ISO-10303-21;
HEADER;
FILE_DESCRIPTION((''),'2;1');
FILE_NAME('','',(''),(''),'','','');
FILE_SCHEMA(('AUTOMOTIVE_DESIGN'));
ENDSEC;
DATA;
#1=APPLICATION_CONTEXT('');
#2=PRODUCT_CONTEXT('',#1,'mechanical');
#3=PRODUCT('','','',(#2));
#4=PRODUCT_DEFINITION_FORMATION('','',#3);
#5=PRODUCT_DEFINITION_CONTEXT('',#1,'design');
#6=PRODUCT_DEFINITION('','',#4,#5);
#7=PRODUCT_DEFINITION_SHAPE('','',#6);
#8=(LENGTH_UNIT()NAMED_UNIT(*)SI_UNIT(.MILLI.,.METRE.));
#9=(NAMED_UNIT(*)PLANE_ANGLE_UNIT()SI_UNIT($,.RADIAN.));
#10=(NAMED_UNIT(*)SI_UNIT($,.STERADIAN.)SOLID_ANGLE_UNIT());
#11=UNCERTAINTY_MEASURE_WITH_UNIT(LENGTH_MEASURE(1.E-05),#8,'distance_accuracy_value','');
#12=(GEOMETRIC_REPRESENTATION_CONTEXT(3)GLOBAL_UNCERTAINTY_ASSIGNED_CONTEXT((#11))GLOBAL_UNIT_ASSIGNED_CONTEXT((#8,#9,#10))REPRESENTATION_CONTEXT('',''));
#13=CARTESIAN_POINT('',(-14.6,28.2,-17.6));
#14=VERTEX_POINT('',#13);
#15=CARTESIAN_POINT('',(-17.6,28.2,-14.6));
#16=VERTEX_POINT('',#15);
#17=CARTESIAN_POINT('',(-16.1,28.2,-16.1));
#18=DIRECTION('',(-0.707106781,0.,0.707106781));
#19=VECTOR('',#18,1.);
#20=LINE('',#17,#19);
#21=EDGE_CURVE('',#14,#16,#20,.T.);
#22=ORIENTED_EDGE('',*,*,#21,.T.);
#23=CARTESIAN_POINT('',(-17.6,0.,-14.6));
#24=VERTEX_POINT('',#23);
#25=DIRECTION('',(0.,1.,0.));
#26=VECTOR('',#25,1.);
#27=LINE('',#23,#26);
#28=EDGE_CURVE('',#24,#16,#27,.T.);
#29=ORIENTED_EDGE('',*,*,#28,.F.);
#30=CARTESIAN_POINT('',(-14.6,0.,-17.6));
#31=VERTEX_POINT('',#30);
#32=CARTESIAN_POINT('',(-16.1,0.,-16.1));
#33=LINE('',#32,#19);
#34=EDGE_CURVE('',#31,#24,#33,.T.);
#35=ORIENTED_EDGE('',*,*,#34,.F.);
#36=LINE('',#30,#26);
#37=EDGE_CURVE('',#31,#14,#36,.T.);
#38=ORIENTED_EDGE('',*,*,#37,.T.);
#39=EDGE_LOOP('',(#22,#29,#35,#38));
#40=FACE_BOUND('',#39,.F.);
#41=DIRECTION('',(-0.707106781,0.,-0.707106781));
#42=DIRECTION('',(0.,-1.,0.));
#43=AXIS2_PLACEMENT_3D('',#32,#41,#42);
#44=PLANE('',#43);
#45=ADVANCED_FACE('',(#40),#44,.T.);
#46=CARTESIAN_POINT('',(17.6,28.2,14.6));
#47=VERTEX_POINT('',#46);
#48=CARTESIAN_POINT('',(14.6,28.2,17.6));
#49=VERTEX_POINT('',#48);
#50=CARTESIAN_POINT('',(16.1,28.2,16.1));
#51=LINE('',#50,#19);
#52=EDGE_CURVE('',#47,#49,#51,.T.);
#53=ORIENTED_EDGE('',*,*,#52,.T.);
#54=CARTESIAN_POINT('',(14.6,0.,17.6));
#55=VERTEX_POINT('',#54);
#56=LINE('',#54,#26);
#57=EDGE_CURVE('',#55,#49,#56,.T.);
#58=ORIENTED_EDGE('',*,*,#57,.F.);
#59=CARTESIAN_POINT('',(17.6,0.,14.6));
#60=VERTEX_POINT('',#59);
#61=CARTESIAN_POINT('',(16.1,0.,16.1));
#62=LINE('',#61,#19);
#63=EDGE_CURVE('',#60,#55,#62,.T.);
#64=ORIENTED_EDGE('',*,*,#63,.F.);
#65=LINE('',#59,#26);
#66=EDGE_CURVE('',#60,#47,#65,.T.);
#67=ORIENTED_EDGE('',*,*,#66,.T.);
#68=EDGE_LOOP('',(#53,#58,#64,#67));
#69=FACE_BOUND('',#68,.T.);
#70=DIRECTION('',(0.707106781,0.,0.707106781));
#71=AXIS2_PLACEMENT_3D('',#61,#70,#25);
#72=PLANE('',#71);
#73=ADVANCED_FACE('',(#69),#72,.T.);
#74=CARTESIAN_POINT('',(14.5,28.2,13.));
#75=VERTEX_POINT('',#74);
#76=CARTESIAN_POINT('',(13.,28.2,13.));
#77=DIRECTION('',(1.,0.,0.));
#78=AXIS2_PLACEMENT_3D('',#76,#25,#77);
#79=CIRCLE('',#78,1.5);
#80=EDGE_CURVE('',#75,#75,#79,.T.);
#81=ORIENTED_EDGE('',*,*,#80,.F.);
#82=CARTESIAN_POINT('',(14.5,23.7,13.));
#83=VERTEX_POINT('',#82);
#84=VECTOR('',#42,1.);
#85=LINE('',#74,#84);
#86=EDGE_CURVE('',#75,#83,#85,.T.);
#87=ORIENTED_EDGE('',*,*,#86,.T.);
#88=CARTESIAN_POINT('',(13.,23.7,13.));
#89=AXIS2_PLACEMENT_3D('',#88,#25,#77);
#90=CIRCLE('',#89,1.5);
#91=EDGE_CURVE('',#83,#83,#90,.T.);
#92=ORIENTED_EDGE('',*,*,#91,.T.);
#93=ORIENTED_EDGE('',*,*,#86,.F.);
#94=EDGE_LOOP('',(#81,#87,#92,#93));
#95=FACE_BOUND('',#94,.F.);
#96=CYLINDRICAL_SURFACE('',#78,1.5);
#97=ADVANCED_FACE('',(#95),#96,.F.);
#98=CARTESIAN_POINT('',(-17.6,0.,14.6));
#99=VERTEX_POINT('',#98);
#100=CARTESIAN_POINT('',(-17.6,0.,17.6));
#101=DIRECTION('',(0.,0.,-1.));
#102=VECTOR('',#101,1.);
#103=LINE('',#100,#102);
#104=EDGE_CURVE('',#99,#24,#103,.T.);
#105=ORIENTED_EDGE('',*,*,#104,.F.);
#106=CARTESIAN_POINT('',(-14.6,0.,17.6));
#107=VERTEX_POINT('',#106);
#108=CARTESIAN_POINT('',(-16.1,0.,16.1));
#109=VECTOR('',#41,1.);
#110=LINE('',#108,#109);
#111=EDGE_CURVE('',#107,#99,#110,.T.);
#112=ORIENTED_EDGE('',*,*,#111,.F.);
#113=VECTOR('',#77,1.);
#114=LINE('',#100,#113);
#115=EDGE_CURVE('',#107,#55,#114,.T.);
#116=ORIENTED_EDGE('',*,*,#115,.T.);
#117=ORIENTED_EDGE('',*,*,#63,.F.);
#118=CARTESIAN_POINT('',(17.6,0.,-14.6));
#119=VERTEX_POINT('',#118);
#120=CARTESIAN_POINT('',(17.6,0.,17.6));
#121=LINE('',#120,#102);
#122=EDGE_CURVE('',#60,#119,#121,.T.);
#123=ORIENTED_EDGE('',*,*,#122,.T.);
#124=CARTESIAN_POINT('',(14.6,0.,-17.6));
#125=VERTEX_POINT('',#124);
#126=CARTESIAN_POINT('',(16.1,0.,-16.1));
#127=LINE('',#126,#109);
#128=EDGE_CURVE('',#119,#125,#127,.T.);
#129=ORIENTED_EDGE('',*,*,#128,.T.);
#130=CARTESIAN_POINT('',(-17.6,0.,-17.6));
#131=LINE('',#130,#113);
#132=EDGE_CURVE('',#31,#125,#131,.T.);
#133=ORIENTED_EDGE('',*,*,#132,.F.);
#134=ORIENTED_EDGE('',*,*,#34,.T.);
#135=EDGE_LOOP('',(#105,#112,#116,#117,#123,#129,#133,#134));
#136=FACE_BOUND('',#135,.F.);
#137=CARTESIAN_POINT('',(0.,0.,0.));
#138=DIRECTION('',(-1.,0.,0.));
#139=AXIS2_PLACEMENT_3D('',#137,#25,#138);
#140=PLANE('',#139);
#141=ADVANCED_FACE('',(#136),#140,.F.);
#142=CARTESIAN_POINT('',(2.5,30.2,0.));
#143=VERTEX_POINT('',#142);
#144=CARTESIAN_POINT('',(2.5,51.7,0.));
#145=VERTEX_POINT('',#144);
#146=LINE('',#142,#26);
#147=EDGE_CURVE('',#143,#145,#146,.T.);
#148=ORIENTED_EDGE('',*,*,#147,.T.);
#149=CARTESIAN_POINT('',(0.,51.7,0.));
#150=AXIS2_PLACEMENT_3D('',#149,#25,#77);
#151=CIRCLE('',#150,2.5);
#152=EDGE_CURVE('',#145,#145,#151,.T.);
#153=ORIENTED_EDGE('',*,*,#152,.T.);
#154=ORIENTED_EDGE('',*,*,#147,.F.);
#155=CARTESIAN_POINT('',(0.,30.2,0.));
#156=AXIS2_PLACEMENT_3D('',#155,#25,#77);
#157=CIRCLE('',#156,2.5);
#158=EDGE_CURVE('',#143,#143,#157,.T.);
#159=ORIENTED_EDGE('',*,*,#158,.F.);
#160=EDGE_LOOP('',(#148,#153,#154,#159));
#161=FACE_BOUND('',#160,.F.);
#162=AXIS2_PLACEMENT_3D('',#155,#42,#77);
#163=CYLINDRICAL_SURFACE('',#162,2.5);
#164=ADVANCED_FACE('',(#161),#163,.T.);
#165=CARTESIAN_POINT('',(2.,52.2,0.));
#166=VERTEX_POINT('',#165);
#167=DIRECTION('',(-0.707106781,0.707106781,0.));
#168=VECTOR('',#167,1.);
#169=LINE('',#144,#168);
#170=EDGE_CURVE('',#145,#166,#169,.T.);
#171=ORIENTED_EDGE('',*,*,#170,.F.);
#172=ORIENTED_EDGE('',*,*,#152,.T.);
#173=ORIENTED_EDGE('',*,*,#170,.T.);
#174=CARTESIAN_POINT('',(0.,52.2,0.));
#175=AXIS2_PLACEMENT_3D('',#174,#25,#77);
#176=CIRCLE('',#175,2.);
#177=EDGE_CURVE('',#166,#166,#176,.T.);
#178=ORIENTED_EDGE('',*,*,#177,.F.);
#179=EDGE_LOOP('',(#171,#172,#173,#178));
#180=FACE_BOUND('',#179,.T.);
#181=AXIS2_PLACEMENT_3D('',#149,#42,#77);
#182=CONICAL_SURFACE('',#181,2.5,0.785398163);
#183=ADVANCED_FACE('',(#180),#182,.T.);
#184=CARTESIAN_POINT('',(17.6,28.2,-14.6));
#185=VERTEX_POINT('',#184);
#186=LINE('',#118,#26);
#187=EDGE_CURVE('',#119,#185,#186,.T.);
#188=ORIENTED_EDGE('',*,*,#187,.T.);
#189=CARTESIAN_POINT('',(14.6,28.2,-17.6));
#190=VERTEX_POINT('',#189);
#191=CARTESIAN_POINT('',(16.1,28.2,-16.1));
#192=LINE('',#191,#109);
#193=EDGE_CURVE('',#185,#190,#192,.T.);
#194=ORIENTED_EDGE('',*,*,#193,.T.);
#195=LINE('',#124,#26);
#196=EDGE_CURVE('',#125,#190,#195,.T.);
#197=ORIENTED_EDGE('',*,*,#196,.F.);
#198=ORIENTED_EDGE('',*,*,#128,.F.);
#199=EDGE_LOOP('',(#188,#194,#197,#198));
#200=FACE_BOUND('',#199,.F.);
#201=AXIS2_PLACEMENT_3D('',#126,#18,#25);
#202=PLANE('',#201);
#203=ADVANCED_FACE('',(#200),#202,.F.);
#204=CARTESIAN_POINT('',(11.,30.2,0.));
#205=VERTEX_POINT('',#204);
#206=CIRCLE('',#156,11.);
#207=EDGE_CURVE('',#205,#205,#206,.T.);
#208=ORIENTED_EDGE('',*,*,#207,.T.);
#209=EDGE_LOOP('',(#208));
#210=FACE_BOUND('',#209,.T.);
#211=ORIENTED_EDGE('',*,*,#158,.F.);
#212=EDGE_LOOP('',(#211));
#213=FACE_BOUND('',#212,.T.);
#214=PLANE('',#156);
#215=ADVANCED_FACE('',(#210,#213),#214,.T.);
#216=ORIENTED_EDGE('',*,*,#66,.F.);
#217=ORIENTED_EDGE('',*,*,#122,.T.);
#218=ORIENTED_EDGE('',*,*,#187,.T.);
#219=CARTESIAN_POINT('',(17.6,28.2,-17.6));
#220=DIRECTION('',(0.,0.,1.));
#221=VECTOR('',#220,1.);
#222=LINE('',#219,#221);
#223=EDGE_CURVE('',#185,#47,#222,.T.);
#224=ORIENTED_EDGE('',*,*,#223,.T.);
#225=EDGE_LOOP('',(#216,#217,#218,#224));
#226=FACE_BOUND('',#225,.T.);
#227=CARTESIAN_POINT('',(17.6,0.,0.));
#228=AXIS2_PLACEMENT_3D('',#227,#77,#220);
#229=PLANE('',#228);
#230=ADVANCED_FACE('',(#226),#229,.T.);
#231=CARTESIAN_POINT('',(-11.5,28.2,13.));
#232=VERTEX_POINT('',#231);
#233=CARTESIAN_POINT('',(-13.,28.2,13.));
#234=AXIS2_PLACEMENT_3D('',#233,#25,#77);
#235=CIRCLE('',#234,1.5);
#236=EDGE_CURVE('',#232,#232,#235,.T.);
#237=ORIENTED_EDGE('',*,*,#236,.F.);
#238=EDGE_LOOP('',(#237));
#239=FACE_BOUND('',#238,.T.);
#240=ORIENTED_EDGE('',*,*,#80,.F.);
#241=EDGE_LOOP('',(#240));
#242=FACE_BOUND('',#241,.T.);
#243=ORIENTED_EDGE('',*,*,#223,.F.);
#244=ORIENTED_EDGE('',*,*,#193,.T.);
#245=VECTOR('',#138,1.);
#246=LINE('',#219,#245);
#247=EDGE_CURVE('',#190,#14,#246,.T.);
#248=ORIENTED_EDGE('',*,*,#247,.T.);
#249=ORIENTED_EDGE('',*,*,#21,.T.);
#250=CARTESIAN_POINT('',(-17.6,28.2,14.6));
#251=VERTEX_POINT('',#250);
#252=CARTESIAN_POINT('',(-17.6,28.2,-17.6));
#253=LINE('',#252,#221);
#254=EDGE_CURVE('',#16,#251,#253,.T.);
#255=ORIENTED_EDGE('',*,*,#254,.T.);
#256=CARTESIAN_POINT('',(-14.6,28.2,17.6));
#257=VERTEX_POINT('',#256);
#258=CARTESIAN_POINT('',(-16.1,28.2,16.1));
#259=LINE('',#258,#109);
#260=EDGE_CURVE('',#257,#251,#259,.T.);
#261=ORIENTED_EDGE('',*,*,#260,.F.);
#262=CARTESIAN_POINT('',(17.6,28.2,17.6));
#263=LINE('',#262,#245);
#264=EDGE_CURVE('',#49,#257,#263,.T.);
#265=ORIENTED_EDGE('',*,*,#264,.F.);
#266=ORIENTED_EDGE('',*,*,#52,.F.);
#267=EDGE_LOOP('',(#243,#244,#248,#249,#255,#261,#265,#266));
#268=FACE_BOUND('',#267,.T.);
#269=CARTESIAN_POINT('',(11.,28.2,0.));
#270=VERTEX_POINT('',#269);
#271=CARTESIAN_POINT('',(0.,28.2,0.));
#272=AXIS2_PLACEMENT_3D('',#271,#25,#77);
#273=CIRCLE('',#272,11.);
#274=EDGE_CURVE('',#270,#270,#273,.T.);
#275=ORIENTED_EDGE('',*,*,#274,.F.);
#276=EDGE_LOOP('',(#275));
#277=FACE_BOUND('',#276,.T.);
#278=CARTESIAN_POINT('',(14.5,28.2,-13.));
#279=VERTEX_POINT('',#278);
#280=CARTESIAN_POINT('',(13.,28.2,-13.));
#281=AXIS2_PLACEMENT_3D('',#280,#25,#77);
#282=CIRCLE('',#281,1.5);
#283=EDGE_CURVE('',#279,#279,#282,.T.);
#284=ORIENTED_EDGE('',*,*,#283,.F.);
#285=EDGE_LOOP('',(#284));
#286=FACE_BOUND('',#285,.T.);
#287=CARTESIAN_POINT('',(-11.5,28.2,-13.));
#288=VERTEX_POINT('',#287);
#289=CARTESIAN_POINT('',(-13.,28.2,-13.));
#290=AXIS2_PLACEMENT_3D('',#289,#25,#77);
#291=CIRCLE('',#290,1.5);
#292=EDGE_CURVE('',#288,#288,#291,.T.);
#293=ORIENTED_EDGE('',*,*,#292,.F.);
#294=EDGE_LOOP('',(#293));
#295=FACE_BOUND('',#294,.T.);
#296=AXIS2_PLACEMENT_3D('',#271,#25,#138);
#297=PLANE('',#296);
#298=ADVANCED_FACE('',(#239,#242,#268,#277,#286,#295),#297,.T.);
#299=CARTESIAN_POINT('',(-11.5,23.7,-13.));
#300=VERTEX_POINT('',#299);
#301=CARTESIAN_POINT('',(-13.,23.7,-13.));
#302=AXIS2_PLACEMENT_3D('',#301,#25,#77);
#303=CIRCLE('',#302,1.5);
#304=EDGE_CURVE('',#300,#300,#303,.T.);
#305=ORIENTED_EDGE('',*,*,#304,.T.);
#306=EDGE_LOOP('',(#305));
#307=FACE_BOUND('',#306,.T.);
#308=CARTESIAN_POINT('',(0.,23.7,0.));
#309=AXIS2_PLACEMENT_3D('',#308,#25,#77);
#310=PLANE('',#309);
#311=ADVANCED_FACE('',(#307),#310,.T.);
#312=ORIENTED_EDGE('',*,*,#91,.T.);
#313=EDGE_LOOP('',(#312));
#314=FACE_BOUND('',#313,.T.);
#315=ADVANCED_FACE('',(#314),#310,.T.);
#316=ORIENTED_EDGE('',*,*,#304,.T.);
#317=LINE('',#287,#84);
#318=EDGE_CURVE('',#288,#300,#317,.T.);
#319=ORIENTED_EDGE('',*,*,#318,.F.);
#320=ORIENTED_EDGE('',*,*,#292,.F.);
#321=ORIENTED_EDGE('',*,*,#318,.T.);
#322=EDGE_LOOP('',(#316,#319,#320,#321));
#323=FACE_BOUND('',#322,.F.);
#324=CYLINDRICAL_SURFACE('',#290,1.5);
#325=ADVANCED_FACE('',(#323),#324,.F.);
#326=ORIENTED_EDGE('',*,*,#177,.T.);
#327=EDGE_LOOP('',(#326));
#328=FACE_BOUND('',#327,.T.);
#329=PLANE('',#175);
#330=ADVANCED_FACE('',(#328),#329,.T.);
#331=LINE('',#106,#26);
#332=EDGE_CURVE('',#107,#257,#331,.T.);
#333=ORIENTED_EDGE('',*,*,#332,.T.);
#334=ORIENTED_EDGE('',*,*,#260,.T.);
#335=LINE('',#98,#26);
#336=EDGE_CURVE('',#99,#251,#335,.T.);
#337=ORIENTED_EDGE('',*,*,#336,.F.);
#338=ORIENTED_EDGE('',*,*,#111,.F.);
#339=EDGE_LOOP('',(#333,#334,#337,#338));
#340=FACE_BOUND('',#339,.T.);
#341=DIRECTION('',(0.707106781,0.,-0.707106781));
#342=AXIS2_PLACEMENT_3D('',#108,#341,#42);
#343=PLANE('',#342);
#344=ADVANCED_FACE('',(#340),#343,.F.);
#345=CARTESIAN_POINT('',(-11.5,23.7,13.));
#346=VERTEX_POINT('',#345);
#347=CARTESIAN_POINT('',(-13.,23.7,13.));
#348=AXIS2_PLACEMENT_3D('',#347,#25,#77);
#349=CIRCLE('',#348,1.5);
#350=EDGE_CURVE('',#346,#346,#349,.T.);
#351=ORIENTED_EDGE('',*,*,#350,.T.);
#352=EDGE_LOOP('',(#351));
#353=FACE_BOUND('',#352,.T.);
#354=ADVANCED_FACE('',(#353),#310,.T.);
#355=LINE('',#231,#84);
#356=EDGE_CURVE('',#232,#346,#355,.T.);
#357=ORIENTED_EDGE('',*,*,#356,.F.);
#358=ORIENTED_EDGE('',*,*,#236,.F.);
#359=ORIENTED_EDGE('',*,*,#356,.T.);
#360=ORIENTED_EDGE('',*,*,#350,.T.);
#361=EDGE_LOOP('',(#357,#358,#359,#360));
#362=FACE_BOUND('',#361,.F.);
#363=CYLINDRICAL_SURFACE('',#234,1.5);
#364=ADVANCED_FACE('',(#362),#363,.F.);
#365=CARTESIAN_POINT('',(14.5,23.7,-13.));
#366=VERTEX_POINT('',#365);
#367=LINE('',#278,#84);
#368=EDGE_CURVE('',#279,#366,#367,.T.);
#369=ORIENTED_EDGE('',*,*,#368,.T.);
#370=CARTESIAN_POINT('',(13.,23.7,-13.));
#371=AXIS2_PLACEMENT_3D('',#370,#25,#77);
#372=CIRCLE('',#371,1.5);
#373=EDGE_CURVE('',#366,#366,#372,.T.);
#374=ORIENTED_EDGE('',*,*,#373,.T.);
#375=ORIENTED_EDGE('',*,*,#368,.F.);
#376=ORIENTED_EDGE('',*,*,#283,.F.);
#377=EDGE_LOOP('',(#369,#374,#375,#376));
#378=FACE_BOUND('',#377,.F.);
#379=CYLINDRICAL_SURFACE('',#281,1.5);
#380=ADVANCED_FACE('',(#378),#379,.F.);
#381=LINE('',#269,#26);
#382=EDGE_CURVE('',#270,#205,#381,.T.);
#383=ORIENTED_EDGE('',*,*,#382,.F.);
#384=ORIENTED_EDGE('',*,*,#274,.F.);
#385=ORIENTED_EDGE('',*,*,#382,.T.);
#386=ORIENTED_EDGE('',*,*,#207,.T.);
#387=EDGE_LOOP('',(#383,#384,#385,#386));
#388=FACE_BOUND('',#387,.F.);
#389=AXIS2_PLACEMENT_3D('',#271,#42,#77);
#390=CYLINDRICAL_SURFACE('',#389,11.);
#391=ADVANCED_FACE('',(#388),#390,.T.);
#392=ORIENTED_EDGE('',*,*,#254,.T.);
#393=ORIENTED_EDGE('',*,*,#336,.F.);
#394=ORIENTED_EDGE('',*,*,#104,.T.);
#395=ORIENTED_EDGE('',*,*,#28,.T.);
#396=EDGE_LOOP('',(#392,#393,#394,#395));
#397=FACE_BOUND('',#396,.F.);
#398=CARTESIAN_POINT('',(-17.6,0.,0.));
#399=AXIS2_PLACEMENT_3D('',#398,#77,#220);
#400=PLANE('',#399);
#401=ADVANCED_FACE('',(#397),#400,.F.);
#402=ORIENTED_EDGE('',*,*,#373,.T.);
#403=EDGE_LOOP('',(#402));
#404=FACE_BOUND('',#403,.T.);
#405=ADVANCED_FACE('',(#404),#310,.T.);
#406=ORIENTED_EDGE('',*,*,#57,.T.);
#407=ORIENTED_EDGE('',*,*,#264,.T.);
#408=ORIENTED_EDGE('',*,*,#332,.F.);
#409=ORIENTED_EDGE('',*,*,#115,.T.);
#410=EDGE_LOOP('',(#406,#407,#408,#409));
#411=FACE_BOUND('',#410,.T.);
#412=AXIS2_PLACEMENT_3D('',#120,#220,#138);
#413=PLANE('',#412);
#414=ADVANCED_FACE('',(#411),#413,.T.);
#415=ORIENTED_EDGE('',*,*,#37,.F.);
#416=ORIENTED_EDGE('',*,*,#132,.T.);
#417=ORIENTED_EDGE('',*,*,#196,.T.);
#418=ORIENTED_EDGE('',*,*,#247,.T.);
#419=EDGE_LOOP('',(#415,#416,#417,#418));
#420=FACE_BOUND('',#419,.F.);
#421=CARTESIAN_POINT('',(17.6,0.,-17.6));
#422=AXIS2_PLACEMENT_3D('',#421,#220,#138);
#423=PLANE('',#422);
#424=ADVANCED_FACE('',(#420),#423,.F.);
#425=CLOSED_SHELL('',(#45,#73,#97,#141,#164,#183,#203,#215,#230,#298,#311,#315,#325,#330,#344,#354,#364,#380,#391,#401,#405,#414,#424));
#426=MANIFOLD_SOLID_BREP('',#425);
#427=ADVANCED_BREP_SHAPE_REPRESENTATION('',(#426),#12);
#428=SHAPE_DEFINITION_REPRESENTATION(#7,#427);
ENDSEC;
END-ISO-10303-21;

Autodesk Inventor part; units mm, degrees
ref_plane "YZ Plane" through (0, 0, 0) normal (1, 0, 0) x (0, 1, 0)
ref_plane "XZ Plane" through (0, 0, 0) normal (0, 1, 0) x (-1, 0, 0)
ref_plane "XY Plane" through (0, 0, 0) normal (0, 0, 1) x (1, 0, 0)
sketch "Sketch1" plane through (0, 0, 0) normal (0, 1, 0) x (-1, 0, 0)
  line L0 (-17.6, 0) -> (-17.6, -17.6)
  line L1 (-17.6, -17.6) -> (0, -17.6)
  line L2 (17.6, 0) -> (17.6, -17.6)
  line L3 (17.6, -17.6) -> (0, -17.6)
  line L4 (-17.6, 0) -> (-17.6, 17.6)
  line L5 (-17.6, 17.6) -> (0, 17.6)
  line L6 (17.6, 17.6) -> (0, 17.6)
  line L7 (17.6, 0) -> (17.6, 17.6)
  point P0 (0, 0)
  dimension "d0" = 17.6
  dimension "d1" = 17.6
extrude "Extrusion1" add sketch "Sketch1" along normal blind 28.2
sketch "Sketch2" plane through (0, 28.2, 0) normal (0, 1, 0) x (1, 0, 0)
  circle A0 centre (13, 13) radius 1.5
  circle A1 centre (-13, 13) radius 1.5
  circle A2 centre (13, -13) radius 1.5
  circle A3 centre (-13, -13) radius 1.5
  point P0 (0, 0)
  dimension "d4" = 3
  dimension "d5" = 3
  dimension "d6" = 3
  dimension "d7" = 3
extrude "Extrusion2" cut sketch "Sketch2" against normal blind 4.5
chamfer "Chamfer1" distance 3 angle 45 4 edges at (17.6, 14.1, 17.6) (17.6, 14.1, -17.6) (-17.6, 14.1, 17.6) (-17.6, 14.1, -17.6)
sketch "Sketch3" plane through (0, 28.2, 0) normal (0, 1, 0) x (1, 0, 0)
  circle A0 centre (0, 0) radius 11
  dimension "d13" = 22
extrude "Extrusion3" add sketch "Sketch3" along normal blind 2
sketch "Sketch4" plane through (0, 30.2, 0) normal (0, 1, 0) x (1, 0, 0)
  circle A0 centre (0, 0) radius 2.5
  dimension "d16" = 5
extrude "Extrusion4" add sketch "Sketch4" along normal blind 22
chamfer "Chamfer2" distance 0.5 angle 45 1 edges at (-2.5, 52.2, 0)
properties part number "14HM11"
